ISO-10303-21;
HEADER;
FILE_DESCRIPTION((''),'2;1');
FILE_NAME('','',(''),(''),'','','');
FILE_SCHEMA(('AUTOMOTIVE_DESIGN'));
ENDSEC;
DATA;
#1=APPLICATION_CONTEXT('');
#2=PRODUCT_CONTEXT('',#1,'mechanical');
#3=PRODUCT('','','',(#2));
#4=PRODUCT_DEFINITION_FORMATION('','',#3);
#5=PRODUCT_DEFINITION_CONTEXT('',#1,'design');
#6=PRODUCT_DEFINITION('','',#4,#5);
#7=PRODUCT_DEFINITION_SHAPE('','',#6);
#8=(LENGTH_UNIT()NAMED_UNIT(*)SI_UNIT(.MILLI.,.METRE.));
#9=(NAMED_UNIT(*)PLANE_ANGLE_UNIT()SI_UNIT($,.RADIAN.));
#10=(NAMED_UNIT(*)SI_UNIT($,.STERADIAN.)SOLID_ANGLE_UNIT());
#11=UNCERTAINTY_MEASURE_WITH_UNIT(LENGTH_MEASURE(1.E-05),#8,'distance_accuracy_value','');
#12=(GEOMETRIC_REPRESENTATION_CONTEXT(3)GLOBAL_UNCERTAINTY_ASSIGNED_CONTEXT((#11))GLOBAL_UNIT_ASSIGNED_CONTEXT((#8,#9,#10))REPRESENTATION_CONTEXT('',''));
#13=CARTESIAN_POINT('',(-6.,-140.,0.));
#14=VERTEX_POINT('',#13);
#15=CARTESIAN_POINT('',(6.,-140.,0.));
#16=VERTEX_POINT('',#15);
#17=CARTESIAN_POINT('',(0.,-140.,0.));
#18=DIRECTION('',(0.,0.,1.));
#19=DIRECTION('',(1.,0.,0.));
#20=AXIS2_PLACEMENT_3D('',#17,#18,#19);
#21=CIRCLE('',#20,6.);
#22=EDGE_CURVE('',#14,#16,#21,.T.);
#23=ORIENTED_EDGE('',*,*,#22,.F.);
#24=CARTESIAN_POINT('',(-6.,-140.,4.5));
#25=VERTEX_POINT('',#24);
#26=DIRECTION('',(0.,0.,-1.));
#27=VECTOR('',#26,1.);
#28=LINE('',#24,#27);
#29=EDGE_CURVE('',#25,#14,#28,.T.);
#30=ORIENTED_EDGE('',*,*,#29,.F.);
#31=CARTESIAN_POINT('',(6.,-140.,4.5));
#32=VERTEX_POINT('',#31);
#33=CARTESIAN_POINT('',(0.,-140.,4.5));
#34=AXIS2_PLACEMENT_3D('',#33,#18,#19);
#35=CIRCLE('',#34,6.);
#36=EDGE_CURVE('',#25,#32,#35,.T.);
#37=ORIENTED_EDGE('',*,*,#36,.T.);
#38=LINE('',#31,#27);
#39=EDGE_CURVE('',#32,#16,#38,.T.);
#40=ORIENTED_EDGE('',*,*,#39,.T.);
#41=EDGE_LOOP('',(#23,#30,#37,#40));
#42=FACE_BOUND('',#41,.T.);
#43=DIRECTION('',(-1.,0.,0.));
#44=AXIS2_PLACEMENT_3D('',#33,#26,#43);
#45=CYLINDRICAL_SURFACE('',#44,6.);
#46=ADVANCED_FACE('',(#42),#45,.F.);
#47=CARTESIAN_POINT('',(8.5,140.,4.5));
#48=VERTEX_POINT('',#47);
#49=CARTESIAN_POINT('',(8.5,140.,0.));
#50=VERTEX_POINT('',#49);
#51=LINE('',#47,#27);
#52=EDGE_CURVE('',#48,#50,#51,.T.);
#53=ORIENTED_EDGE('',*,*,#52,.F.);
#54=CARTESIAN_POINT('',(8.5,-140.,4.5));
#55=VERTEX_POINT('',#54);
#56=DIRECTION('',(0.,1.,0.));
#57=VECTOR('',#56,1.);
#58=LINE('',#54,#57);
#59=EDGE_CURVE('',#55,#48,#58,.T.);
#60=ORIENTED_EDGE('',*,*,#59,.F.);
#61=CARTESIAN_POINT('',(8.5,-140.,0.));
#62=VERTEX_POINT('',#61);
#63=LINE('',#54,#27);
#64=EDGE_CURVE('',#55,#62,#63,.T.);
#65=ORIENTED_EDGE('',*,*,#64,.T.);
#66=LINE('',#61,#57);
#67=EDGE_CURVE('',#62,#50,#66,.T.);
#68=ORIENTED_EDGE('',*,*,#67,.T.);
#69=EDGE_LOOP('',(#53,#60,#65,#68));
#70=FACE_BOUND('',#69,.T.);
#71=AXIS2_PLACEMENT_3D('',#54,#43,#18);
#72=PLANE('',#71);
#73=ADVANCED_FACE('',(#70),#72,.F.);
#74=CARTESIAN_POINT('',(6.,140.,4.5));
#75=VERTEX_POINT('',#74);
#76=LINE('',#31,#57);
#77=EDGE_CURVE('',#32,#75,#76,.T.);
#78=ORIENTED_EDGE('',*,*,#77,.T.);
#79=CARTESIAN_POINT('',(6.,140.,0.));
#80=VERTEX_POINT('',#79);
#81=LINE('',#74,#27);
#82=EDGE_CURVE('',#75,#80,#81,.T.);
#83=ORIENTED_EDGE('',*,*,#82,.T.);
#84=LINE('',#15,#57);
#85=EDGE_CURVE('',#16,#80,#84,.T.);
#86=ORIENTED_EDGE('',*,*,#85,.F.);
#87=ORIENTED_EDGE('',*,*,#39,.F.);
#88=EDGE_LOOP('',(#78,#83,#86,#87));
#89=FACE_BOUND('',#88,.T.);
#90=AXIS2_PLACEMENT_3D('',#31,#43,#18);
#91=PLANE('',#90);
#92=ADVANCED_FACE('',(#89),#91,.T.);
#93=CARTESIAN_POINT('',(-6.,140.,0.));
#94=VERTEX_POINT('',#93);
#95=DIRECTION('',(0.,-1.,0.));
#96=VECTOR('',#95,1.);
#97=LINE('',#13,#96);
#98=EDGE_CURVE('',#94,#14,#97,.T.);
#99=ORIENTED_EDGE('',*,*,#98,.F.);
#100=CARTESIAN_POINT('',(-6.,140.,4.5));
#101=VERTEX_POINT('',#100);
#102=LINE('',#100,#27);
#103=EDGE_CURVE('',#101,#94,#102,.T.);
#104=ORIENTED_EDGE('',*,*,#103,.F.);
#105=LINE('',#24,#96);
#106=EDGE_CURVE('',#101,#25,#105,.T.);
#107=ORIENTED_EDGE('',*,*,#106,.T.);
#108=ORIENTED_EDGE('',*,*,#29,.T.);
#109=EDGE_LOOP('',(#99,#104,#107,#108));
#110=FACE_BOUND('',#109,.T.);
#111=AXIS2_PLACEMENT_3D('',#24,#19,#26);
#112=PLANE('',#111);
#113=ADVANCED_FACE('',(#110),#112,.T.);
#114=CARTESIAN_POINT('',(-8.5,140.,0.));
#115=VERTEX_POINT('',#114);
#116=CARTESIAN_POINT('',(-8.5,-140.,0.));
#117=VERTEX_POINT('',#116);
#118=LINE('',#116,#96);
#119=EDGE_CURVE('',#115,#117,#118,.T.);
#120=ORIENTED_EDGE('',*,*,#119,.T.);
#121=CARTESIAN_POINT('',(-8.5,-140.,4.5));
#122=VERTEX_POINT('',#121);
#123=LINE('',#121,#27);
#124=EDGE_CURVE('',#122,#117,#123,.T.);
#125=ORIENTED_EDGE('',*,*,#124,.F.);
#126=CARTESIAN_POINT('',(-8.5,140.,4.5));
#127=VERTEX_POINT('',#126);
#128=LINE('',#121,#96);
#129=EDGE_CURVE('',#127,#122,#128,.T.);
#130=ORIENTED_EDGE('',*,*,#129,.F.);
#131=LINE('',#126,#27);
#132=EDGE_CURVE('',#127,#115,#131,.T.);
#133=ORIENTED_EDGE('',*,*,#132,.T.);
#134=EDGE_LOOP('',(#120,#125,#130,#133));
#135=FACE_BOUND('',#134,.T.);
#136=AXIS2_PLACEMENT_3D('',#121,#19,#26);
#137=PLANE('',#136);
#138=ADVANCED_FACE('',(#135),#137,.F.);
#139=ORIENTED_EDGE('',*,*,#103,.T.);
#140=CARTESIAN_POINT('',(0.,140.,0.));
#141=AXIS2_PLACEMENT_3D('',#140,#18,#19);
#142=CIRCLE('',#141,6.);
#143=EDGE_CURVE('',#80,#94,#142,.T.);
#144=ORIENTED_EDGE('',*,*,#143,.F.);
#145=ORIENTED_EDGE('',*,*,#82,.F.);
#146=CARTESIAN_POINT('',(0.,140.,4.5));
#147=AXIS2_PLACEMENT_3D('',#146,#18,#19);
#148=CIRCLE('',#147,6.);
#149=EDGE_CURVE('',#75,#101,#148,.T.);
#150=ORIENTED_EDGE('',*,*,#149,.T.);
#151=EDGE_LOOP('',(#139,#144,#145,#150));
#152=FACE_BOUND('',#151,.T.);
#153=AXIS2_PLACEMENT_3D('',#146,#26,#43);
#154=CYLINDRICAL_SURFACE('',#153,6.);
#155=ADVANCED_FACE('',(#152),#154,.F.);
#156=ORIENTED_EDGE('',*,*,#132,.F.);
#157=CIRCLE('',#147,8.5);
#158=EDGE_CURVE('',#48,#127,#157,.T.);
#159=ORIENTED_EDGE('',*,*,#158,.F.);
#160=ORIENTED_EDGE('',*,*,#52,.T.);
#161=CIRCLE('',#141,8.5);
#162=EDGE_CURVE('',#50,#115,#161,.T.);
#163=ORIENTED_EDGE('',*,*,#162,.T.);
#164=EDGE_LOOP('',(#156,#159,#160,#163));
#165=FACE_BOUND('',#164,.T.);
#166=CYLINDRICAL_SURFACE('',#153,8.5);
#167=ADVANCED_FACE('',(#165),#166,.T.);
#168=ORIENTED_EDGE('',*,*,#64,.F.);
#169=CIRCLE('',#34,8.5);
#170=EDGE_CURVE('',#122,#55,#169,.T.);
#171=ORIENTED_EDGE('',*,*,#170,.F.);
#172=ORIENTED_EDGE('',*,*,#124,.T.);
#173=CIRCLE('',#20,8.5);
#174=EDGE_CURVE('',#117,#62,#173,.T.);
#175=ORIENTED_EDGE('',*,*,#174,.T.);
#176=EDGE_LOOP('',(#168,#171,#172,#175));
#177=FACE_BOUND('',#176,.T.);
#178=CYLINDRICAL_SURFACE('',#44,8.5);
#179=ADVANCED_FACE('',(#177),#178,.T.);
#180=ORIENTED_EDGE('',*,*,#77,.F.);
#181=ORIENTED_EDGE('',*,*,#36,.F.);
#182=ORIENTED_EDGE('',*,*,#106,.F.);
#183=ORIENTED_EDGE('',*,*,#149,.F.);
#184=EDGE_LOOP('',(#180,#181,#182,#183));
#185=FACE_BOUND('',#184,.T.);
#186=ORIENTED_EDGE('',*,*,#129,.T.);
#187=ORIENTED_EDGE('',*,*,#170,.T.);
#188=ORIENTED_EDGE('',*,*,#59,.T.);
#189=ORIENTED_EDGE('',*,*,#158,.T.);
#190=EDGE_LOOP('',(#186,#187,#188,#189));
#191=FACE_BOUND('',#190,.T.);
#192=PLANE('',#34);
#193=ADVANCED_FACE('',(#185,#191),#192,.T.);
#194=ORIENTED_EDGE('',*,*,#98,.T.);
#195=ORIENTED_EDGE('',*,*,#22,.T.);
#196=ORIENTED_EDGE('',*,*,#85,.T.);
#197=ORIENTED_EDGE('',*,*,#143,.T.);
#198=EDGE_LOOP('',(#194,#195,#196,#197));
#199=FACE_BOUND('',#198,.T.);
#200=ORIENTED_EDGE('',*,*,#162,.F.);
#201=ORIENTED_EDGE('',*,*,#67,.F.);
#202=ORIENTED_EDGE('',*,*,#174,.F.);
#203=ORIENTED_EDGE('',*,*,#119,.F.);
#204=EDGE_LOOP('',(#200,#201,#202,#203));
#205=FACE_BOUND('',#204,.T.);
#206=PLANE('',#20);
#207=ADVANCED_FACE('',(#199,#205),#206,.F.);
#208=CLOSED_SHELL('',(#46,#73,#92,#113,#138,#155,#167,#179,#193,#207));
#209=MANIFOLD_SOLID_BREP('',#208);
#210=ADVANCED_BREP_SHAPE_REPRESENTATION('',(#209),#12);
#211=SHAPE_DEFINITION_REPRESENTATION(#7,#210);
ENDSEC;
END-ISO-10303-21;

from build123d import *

# Parameters (mm, degrees)
EXTRUDE_1_DEPTH = 4.5


with BuildPart() as part:
    # Эскиз1 → Бобышка-Вытянуть1 (new body)
    with BuildSketch(Plane.XY):
        with BuildLine():
            Line((-8.5, -140), (-8.5, 140))
            ThreePointArc((-8.5, 140), (0, 148.5), (8.5, 140))
            Line((8.5, 140), (8.5, -140))
            ThreePointArc((8.5, -140), (0, -148.5), (-8.5, -140))
        make_face()
        with BuildLine():
            Line((-6, -140), (-6, 140))
            ThreePointArc((-6, 140), (0, 146), (6, 140))
            Line((6, 140), (6, -140))
            ThreePointArc((6, -140), (0, -146), (-6, -140))
        make_face(mode=Mode.SUBTRACT)
    extrude(amount=EXTRUDE_1_DEPTH)


solid = part.part
